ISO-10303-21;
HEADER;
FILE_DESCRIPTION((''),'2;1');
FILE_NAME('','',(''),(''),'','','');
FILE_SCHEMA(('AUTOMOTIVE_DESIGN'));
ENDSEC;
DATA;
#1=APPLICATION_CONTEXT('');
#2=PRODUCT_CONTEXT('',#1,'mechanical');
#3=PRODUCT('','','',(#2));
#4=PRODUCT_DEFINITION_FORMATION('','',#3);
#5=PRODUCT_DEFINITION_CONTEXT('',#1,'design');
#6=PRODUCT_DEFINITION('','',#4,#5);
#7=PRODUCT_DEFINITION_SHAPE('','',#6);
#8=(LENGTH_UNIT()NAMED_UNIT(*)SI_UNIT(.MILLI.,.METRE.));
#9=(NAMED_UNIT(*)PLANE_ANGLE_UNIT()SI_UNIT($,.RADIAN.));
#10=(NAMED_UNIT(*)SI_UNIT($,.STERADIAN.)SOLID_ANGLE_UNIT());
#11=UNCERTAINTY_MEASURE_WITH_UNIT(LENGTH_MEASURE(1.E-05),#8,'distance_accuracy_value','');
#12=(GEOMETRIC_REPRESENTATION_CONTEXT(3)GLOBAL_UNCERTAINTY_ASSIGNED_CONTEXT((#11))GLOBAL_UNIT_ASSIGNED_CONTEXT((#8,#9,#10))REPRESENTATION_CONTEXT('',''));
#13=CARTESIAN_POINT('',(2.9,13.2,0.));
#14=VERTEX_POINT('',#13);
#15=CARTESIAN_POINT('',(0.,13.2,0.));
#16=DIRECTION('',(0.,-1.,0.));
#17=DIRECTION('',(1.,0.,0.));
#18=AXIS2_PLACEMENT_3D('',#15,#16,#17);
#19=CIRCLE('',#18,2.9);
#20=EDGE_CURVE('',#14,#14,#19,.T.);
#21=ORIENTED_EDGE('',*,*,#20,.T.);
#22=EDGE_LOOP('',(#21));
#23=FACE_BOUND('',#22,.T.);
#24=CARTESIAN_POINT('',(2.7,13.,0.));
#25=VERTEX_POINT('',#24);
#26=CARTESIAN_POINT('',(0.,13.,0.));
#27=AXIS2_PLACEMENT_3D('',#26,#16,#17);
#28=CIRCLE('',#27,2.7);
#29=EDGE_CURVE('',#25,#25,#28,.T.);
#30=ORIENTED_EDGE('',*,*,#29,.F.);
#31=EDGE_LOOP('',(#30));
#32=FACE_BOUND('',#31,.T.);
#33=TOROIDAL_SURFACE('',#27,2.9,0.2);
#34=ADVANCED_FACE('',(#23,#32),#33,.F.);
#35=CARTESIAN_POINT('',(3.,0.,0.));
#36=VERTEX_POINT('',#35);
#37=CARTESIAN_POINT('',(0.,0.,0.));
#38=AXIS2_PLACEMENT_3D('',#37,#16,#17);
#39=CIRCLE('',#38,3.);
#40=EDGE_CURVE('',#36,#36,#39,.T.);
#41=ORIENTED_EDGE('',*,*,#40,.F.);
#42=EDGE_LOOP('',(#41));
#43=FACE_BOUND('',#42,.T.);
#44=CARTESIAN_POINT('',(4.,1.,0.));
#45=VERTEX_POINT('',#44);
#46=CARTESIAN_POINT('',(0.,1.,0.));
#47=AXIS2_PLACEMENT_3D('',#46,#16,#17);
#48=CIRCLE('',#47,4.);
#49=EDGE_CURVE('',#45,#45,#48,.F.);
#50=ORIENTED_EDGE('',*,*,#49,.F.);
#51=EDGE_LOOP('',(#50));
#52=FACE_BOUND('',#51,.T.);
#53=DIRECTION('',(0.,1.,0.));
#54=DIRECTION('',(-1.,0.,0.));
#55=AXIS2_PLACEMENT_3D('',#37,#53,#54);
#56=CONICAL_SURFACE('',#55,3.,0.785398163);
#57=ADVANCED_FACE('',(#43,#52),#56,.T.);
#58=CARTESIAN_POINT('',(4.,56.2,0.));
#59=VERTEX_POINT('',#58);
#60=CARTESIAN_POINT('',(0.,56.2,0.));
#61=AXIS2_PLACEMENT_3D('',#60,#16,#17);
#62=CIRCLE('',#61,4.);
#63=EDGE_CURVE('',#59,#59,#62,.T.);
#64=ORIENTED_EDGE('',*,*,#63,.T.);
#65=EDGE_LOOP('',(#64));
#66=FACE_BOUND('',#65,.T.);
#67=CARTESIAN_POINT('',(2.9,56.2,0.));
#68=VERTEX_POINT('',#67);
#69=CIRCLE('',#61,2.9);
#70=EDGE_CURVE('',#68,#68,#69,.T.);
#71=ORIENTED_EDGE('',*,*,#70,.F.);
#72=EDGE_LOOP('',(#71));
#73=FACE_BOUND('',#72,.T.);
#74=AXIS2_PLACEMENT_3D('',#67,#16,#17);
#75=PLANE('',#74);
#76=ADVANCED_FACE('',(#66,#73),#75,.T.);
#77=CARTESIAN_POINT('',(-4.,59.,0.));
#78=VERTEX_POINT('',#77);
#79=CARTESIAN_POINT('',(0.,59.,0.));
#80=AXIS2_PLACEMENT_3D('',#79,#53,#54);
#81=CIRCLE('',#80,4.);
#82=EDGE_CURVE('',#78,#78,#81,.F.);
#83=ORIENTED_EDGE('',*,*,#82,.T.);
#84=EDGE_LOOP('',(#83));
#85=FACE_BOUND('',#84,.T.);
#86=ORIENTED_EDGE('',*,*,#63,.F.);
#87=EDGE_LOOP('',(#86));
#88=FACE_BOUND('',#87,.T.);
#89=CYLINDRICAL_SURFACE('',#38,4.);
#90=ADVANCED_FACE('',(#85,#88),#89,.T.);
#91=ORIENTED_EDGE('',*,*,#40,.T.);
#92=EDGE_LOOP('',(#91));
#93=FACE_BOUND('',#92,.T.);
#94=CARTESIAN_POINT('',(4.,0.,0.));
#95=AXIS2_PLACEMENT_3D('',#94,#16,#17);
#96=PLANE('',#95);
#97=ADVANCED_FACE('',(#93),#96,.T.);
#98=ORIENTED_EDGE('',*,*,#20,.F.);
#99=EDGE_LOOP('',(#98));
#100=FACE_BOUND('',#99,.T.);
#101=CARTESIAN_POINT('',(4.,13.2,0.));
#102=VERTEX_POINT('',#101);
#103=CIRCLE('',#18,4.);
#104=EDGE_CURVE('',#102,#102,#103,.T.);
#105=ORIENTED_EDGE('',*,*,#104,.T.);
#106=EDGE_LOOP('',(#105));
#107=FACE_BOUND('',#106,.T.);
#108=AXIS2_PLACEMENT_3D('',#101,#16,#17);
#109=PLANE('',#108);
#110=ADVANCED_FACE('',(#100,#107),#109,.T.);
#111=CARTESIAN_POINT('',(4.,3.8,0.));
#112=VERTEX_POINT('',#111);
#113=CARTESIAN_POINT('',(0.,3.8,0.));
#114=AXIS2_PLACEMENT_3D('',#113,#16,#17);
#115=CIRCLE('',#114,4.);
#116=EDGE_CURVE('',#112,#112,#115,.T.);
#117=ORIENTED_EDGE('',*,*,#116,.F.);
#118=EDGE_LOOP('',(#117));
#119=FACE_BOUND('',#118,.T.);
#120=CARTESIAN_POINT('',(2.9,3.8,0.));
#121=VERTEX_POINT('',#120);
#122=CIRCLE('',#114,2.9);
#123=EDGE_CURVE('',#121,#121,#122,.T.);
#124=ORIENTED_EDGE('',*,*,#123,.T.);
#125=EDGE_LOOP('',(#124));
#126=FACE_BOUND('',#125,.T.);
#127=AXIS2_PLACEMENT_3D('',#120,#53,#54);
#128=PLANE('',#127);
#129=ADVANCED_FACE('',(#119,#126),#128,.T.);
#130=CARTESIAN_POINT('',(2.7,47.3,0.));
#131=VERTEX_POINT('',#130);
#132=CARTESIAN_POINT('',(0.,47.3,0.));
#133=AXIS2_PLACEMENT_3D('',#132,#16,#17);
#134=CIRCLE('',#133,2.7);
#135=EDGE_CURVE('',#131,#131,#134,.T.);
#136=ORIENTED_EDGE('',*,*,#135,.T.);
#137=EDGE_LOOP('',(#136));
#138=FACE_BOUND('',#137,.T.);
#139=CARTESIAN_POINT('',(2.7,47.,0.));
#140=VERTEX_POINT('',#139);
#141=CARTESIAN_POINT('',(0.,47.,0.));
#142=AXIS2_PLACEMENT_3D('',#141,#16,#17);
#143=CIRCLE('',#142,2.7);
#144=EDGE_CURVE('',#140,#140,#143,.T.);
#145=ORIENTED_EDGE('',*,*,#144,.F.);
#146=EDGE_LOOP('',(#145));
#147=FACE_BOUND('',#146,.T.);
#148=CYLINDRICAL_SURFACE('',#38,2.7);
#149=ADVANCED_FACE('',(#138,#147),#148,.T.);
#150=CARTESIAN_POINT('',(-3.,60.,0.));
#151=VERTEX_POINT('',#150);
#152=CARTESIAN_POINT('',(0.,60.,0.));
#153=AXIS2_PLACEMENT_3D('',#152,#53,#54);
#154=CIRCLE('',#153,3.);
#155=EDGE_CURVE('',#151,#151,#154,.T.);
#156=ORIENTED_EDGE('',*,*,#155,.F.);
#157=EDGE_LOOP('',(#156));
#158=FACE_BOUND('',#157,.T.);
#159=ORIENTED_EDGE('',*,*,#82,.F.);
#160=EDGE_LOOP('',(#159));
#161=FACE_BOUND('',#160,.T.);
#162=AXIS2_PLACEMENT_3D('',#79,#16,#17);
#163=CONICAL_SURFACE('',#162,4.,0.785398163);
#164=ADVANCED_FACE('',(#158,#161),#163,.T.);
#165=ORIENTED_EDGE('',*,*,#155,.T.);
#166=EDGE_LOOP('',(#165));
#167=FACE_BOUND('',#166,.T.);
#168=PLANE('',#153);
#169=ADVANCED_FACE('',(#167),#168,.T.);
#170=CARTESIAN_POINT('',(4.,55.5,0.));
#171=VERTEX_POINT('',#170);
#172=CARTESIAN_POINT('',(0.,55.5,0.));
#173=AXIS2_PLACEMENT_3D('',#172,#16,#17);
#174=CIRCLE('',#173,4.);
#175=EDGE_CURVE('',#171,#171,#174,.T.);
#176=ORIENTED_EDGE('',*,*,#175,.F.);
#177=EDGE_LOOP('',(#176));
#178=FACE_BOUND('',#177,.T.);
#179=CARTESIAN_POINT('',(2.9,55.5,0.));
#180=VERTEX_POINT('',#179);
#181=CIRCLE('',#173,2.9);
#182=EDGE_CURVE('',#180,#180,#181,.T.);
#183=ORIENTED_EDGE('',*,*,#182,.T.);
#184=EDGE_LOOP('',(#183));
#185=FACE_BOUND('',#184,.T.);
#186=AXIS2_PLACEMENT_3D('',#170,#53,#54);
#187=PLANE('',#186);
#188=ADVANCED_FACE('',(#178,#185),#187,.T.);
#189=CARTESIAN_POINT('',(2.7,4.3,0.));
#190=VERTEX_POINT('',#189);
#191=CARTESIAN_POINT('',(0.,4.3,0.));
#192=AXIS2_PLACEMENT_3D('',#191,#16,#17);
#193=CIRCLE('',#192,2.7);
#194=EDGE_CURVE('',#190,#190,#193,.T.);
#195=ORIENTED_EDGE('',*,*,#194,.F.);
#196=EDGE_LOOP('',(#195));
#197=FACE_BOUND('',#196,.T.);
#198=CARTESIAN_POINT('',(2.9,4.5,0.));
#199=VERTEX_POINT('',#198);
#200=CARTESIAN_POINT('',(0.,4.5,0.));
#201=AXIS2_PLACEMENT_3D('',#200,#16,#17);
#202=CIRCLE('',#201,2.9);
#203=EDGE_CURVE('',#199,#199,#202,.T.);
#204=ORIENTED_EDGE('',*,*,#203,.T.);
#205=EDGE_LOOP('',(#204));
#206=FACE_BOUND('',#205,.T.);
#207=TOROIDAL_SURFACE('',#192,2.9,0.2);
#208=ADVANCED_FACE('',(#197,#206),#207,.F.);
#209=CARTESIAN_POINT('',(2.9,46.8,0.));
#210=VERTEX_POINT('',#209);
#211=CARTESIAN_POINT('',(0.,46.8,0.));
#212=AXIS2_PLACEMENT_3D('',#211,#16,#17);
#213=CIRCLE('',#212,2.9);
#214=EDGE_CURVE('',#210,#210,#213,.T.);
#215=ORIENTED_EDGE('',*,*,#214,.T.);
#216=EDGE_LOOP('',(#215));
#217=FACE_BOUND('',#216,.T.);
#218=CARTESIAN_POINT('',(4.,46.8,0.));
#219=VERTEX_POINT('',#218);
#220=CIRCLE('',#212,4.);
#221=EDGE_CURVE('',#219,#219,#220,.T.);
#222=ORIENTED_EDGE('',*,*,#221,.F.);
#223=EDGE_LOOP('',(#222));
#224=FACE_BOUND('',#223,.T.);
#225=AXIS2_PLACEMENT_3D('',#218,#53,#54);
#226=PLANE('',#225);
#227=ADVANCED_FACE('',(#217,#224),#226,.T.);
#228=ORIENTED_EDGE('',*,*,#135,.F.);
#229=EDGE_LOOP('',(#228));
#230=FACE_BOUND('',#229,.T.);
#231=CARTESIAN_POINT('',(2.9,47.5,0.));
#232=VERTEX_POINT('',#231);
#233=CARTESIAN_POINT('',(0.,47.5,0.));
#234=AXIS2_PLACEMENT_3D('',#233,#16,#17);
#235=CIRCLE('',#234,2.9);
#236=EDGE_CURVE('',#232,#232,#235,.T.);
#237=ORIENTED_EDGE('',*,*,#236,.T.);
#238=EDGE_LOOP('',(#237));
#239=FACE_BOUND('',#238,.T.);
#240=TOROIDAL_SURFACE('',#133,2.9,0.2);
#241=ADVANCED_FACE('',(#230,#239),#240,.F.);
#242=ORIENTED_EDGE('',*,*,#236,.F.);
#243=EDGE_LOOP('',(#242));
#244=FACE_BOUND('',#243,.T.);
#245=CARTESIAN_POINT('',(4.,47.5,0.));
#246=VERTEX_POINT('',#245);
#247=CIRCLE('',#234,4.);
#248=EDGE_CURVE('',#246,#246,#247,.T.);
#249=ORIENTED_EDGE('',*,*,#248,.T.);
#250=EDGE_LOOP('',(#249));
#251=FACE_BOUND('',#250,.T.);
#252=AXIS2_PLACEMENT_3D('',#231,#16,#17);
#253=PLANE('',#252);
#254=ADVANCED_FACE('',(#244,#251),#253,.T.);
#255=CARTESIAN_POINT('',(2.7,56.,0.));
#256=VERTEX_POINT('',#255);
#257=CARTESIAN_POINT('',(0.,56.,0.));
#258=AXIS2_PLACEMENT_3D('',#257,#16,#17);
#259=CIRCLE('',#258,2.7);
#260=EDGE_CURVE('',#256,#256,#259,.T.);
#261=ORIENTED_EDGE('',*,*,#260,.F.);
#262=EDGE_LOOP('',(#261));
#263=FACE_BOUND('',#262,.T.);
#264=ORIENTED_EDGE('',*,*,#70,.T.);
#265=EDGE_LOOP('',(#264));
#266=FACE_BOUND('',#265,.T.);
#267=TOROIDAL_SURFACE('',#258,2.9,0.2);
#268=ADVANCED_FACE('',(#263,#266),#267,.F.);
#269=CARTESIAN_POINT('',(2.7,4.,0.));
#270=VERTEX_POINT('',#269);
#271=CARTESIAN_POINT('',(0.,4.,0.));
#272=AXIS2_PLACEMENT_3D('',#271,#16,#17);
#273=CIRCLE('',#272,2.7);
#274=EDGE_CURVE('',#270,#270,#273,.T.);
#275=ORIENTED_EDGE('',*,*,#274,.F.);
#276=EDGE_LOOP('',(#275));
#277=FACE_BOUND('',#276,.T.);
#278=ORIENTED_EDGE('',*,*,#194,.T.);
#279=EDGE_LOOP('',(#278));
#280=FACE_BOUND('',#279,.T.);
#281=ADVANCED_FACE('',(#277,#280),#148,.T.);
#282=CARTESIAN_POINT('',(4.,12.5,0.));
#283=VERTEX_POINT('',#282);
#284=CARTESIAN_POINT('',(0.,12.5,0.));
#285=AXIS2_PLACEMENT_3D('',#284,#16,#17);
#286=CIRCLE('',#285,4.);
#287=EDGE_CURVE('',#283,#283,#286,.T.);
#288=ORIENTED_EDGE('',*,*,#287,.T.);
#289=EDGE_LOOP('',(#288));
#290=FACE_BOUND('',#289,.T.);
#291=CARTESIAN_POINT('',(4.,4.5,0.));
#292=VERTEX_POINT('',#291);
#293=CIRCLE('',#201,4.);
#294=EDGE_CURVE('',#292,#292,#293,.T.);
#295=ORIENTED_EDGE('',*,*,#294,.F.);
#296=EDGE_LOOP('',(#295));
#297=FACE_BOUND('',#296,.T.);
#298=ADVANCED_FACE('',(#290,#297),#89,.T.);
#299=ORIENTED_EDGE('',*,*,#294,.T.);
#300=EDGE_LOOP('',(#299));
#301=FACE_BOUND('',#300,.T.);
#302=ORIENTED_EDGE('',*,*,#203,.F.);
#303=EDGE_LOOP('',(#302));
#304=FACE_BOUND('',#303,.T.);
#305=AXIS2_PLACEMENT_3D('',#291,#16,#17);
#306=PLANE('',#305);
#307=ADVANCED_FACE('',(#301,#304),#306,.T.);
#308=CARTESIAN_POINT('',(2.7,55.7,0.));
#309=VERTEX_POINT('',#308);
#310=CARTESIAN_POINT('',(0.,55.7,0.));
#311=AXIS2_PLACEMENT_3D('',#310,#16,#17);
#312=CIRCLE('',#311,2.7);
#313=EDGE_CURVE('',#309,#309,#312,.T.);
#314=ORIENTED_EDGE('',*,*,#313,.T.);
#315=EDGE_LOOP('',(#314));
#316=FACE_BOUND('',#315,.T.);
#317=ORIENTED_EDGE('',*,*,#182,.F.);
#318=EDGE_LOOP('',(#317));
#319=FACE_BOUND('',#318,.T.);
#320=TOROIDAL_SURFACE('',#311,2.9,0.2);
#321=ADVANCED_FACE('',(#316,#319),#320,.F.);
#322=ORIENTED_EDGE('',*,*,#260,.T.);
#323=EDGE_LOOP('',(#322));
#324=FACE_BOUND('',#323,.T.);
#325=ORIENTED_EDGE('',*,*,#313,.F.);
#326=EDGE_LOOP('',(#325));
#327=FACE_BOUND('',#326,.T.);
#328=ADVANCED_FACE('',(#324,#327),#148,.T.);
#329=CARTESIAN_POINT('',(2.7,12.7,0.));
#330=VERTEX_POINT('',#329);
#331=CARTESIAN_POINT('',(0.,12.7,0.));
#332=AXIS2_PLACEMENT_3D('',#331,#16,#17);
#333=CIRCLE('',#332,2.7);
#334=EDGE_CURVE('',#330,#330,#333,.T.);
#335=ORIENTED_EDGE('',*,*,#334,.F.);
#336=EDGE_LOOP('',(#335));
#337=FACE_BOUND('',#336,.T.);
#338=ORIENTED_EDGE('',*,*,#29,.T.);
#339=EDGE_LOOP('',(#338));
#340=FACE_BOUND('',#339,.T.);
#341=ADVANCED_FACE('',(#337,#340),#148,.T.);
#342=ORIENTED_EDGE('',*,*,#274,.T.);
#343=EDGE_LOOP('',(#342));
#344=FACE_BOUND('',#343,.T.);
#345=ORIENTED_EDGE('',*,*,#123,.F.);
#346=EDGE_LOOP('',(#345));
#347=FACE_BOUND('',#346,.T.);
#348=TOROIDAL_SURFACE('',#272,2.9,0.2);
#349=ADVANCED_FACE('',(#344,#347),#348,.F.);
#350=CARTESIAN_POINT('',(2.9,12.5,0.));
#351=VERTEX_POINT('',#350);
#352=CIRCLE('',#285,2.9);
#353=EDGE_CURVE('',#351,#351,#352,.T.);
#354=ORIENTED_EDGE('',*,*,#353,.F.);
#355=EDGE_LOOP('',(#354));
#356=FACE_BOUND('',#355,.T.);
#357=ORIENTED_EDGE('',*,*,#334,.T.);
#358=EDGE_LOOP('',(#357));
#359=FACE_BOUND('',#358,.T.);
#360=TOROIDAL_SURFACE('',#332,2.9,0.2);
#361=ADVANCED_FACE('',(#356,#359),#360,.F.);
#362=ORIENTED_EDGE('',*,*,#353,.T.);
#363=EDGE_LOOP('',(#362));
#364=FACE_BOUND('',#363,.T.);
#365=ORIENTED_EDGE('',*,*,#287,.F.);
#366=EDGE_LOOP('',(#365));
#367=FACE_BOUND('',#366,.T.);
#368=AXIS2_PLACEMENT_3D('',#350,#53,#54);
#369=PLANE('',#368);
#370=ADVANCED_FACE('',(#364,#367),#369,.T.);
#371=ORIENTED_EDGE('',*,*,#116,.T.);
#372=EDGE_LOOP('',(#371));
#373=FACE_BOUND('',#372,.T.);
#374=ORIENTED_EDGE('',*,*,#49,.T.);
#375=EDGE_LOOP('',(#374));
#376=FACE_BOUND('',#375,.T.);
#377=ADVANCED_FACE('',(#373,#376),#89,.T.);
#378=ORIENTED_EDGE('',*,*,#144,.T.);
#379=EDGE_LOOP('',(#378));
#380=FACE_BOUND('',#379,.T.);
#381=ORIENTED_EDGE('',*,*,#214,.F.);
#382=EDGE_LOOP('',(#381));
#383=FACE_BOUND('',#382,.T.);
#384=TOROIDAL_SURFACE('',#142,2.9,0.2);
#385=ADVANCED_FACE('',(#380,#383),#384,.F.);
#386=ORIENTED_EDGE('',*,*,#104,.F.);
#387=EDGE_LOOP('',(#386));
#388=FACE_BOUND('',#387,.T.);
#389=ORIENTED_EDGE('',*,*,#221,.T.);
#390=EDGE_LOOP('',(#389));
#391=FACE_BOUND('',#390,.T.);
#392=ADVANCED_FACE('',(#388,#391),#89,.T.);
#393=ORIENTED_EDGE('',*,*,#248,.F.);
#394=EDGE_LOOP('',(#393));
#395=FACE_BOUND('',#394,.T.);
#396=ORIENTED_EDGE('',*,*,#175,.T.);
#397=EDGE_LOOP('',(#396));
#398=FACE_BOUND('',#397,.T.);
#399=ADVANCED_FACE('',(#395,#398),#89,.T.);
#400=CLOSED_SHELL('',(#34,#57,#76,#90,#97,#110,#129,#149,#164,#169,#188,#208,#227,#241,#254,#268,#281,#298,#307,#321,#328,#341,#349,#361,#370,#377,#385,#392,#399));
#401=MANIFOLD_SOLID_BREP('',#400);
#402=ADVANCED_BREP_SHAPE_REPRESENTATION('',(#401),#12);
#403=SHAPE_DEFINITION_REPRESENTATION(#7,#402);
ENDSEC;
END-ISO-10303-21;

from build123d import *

# Parameters (mm, degrees)
CHAMFER1_SIZE = 1


with BuildPart() as part:
    # Sketch1 → Revolve2 (revolve)
    with BuildSketch(Plane.XY):
        with BuildLine():
            Line((4, 0), (4, 3.8))
            Line((4, 3.8), (2.9, 3.8))
            ThreePointArc((2.9, 3.8), (2.758578644, 3.858578644), (2.7, 4))
            Line((2.7, 4), (2.7, 4.3))
            ThreePointArc((2.7, 4.3), (2.758578644, 4.441421356), (2.9, 4.5))
            Line((2.9, 4.5), (4, 4.5))
            Line((4, 4.5), (4, 12.5))
            Line((4, 12.5), (2.9, 12.5))
            ThreePointArc((2.9, 12.5), (2.758578644, 12.558578644), (2.7, 12.7))
            Line((2.7, 12.7), (2.7, 13))
            ThreePointArc((2.7, 13), (2.758578644, 13.141421356), (2.9, 13.2))
            Line((2.9, 13.2), (4, 13.2))
            Line((4, 13.2), (4, 46.8))
            Line((4, 46.8), (2.9, 46.8))
            ThreePointArc((2.9, 46.8), (2.758578644, 46.858578644), (2.7, 47))
            Line((2.7, 47), (2.7, 47.3))
            ThreePointArc((2.7, 47.3), (2.758578644, 47.441421356), (2.9, 47.5))
            Line((2.9, 47.5), (4, 47.5))
            Line((4, 47.5), (4, 55.5))
            Line((4, 55.5), (2.9, 55.5))
            ThreePointArc((2.9, 55.5), (2.758578644, 55.558578644), (2.7, 55.7))
            Line((2.7, 55.7), (2.7, 56))
            ThreePointArc((2.7, 56), (2.758578644, 56.141421356), (2.9, 56.2))
            Line((2.9, 56.2), (4, 56.2))
            Line((4, 56.2), (4, 60))
            Line((4, 60), (0, 60))
            Line((0, 60), (0, 0))
            Line((0, 0), (4, 0))
        make_face()
    revolve(axis=Axis((0, 0, 0), (0, 1, 0)))

    # Chamfer1
    chamfer1_edges = [part.edges().sort_by_distance(p)[0] for p in [
        (-4, 60, 0),
        (-4, 0, 0),
    ]]
    chamfer(chamfer1_edges, length=CHAMFER1_SIZE)


solid = part.part
